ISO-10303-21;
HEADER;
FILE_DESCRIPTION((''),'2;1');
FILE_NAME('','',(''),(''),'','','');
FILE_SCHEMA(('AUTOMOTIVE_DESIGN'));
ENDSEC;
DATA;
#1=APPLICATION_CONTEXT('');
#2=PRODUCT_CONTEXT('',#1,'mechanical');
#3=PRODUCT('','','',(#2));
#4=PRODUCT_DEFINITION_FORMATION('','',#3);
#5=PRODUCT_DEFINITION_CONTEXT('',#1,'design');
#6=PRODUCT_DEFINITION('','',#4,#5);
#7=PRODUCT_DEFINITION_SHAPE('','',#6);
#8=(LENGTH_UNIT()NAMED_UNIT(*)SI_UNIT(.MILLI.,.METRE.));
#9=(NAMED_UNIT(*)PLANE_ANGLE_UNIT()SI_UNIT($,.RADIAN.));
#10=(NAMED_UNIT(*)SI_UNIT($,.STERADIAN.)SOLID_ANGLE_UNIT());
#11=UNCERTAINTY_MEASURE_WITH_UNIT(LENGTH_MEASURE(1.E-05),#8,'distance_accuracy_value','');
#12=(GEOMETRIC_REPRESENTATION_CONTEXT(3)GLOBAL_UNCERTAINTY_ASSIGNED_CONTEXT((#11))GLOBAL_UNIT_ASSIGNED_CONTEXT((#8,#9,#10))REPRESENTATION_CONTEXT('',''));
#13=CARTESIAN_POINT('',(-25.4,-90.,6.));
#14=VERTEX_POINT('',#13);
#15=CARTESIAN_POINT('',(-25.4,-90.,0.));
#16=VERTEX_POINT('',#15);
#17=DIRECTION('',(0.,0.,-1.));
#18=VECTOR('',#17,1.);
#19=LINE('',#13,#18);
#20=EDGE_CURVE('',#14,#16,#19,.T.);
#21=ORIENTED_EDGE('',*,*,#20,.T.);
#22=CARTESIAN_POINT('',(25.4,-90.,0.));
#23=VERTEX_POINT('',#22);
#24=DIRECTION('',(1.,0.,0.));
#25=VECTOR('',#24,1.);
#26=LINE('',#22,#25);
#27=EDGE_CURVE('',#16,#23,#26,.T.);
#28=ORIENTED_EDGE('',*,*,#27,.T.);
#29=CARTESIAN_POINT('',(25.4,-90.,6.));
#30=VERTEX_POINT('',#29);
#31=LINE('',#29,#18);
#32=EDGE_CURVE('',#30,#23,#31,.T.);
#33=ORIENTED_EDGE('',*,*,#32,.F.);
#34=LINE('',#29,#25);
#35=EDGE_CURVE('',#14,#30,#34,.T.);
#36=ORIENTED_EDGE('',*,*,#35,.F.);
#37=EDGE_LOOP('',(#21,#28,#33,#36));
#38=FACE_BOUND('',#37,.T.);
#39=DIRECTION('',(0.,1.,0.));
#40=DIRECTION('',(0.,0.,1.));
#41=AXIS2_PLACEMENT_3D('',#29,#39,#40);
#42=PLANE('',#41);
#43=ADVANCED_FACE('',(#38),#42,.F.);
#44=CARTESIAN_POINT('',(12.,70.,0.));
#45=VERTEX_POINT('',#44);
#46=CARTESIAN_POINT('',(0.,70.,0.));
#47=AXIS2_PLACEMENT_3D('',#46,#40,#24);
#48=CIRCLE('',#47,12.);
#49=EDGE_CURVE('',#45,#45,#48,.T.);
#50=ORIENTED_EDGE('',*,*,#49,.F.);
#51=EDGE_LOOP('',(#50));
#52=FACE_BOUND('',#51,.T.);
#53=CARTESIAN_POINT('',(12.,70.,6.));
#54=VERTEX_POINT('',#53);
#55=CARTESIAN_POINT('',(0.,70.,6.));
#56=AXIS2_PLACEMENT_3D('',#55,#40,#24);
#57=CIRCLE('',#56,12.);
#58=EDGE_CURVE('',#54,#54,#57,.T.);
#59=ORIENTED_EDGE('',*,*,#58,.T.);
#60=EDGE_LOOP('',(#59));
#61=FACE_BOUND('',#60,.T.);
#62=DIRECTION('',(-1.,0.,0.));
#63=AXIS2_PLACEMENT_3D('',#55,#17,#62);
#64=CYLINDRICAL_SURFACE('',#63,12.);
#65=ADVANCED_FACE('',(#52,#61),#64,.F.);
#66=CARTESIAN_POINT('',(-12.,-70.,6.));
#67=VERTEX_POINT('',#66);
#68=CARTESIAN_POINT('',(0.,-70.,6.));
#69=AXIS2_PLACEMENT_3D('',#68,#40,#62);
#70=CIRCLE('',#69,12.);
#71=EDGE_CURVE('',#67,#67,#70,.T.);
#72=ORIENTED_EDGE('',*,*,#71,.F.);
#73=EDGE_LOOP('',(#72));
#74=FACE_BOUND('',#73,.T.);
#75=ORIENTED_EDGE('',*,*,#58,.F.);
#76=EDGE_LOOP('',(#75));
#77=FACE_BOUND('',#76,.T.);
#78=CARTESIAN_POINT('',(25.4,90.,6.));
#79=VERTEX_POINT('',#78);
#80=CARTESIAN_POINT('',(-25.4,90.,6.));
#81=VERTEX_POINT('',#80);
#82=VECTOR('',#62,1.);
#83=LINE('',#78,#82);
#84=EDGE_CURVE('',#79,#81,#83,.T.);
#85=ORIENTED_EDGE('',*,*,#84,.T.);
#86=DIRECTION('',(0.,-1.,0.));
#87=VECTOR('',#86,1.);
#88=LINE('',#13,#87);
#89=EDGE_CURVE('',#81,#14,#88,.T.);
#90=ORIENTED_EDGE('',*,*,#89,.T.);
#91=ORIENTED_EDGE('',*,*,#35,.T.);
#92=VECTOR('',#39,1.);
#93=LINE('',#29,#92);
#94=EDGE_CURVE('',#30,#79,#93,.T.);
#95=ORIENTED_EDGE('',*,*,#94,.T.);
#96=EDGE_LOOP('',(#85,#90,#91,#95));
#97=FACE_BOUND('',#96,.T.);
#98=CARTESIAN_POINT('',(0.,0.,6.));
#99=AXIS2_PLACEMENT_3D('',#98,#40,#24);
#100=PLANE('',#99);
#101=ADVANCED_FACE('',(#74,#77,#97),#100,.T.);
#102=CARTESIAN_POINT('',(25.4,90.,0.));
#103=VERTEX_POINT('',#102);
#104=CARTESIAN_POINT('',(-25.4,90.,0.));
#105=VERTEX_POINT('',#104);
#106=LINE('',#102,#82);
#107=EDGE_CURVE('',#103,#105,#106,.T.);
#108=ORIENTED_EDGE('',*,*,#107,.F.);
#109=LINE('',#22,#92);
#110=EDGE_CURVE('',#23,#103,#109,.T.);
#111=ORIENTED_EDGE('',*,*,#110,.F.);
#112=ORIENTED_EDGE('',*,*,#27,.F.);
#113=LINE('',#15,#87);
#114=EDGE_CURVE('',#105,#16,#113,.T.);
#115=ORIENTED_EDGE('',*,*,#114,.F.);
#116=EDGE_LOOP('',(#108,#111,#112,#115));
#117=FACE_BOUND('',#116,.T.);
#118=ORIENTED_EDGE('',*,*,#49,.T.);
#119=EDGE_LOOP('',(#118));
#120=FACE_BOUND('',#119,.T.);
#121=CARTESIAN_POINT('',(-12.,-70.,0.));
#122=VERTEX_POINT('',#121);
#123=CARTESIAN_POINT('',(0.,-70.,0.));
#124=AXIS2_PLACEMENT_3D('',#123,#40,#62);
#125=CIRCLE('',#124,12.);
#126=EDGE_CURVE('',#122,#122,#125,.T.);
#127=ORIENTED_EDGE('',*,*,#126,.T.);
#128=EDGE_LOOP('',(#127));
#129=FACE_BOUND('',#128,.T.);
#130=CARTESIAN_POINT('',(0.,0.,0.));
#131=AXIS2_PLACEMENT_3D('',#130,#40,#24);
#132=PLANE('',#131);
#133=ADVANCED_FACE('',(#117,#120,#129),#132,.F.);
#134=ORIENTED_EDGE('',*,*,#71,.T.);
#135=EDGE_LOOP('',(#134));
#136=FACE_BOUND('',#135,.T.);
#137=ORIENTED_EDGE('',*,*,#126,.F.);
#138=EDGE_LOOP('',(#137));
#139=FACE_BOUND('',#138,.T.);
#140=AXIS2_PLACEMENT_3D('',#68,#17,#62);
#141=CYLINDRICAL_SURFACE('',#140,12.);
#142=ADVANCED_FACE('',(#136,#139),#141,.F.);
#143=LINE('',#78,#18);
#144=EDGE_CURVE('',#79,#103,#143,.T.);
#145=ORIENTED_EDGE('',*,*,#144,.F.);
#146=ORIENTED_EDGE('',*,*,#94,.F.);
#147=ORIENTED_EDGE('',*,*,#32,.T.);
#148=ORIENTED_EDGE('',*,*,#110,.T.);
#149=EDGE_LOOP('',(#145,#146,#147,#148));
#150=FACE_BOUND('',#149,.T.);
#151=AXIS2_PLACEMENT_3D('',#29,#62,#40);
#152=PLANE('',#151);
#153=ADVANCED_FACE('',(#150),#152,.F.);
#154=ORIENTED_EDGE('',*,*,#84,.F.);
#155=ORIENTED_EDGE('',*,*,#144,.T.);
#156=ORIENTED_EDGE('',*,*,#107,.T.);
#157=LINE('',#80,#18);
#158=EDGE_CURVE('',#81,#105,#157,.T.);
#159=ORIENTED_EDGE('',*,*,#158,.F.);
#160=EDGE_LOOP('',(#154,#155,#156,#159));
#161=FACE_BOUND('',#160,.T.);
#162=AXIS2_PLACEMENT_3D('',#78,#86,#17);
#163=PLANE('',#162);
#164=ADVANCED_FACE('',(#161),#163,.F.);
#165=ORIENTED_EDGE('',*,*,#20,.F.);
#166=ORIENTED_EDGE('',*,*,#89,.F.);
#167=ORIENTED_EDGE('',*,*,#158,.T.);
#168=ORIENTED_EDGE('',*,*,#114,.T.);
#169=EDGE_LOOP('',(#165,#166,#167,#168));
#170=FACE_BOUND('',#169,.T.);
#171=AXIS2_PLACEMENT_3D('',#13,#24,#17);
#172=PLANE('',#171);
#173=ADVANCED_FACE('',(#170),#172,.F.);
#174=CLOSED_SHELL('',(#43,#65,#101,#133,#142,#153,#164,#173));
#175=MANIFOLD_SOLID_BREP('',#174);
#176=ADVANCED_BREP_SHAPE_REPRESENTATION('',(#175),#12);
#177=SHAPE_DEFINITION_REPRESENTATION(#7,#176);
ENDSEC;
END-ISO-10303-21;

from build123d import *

# Parameters (mm, degrees)
CROQUIS1_W              = 50.8
CROQUIS1_H              = 180
CROQUIS1_R              = 12
SALIENTE_EXTRUIR1_DEPTH = 6


with BuildPart() as part:
    # Croquis1 → Saliente-Extruir1 (new body)
    with BuildSketch(Plane.XY):
        Rectangle(CROQUIS1_W, CROQUIS1_H)
        with Locations((0, 70)):
            Circle(CROQUIS1_R, mode=Mode.SUBTRACT)
        with Locations(Location((0, -70, 0), (0, 0, 180))):
            Circle(CROQUIS1_R, mode=Mode.SUBTRACT)
    extrude(amount=SALIENTE_EXTRUIR1_DEPTH)


solid = part.part
